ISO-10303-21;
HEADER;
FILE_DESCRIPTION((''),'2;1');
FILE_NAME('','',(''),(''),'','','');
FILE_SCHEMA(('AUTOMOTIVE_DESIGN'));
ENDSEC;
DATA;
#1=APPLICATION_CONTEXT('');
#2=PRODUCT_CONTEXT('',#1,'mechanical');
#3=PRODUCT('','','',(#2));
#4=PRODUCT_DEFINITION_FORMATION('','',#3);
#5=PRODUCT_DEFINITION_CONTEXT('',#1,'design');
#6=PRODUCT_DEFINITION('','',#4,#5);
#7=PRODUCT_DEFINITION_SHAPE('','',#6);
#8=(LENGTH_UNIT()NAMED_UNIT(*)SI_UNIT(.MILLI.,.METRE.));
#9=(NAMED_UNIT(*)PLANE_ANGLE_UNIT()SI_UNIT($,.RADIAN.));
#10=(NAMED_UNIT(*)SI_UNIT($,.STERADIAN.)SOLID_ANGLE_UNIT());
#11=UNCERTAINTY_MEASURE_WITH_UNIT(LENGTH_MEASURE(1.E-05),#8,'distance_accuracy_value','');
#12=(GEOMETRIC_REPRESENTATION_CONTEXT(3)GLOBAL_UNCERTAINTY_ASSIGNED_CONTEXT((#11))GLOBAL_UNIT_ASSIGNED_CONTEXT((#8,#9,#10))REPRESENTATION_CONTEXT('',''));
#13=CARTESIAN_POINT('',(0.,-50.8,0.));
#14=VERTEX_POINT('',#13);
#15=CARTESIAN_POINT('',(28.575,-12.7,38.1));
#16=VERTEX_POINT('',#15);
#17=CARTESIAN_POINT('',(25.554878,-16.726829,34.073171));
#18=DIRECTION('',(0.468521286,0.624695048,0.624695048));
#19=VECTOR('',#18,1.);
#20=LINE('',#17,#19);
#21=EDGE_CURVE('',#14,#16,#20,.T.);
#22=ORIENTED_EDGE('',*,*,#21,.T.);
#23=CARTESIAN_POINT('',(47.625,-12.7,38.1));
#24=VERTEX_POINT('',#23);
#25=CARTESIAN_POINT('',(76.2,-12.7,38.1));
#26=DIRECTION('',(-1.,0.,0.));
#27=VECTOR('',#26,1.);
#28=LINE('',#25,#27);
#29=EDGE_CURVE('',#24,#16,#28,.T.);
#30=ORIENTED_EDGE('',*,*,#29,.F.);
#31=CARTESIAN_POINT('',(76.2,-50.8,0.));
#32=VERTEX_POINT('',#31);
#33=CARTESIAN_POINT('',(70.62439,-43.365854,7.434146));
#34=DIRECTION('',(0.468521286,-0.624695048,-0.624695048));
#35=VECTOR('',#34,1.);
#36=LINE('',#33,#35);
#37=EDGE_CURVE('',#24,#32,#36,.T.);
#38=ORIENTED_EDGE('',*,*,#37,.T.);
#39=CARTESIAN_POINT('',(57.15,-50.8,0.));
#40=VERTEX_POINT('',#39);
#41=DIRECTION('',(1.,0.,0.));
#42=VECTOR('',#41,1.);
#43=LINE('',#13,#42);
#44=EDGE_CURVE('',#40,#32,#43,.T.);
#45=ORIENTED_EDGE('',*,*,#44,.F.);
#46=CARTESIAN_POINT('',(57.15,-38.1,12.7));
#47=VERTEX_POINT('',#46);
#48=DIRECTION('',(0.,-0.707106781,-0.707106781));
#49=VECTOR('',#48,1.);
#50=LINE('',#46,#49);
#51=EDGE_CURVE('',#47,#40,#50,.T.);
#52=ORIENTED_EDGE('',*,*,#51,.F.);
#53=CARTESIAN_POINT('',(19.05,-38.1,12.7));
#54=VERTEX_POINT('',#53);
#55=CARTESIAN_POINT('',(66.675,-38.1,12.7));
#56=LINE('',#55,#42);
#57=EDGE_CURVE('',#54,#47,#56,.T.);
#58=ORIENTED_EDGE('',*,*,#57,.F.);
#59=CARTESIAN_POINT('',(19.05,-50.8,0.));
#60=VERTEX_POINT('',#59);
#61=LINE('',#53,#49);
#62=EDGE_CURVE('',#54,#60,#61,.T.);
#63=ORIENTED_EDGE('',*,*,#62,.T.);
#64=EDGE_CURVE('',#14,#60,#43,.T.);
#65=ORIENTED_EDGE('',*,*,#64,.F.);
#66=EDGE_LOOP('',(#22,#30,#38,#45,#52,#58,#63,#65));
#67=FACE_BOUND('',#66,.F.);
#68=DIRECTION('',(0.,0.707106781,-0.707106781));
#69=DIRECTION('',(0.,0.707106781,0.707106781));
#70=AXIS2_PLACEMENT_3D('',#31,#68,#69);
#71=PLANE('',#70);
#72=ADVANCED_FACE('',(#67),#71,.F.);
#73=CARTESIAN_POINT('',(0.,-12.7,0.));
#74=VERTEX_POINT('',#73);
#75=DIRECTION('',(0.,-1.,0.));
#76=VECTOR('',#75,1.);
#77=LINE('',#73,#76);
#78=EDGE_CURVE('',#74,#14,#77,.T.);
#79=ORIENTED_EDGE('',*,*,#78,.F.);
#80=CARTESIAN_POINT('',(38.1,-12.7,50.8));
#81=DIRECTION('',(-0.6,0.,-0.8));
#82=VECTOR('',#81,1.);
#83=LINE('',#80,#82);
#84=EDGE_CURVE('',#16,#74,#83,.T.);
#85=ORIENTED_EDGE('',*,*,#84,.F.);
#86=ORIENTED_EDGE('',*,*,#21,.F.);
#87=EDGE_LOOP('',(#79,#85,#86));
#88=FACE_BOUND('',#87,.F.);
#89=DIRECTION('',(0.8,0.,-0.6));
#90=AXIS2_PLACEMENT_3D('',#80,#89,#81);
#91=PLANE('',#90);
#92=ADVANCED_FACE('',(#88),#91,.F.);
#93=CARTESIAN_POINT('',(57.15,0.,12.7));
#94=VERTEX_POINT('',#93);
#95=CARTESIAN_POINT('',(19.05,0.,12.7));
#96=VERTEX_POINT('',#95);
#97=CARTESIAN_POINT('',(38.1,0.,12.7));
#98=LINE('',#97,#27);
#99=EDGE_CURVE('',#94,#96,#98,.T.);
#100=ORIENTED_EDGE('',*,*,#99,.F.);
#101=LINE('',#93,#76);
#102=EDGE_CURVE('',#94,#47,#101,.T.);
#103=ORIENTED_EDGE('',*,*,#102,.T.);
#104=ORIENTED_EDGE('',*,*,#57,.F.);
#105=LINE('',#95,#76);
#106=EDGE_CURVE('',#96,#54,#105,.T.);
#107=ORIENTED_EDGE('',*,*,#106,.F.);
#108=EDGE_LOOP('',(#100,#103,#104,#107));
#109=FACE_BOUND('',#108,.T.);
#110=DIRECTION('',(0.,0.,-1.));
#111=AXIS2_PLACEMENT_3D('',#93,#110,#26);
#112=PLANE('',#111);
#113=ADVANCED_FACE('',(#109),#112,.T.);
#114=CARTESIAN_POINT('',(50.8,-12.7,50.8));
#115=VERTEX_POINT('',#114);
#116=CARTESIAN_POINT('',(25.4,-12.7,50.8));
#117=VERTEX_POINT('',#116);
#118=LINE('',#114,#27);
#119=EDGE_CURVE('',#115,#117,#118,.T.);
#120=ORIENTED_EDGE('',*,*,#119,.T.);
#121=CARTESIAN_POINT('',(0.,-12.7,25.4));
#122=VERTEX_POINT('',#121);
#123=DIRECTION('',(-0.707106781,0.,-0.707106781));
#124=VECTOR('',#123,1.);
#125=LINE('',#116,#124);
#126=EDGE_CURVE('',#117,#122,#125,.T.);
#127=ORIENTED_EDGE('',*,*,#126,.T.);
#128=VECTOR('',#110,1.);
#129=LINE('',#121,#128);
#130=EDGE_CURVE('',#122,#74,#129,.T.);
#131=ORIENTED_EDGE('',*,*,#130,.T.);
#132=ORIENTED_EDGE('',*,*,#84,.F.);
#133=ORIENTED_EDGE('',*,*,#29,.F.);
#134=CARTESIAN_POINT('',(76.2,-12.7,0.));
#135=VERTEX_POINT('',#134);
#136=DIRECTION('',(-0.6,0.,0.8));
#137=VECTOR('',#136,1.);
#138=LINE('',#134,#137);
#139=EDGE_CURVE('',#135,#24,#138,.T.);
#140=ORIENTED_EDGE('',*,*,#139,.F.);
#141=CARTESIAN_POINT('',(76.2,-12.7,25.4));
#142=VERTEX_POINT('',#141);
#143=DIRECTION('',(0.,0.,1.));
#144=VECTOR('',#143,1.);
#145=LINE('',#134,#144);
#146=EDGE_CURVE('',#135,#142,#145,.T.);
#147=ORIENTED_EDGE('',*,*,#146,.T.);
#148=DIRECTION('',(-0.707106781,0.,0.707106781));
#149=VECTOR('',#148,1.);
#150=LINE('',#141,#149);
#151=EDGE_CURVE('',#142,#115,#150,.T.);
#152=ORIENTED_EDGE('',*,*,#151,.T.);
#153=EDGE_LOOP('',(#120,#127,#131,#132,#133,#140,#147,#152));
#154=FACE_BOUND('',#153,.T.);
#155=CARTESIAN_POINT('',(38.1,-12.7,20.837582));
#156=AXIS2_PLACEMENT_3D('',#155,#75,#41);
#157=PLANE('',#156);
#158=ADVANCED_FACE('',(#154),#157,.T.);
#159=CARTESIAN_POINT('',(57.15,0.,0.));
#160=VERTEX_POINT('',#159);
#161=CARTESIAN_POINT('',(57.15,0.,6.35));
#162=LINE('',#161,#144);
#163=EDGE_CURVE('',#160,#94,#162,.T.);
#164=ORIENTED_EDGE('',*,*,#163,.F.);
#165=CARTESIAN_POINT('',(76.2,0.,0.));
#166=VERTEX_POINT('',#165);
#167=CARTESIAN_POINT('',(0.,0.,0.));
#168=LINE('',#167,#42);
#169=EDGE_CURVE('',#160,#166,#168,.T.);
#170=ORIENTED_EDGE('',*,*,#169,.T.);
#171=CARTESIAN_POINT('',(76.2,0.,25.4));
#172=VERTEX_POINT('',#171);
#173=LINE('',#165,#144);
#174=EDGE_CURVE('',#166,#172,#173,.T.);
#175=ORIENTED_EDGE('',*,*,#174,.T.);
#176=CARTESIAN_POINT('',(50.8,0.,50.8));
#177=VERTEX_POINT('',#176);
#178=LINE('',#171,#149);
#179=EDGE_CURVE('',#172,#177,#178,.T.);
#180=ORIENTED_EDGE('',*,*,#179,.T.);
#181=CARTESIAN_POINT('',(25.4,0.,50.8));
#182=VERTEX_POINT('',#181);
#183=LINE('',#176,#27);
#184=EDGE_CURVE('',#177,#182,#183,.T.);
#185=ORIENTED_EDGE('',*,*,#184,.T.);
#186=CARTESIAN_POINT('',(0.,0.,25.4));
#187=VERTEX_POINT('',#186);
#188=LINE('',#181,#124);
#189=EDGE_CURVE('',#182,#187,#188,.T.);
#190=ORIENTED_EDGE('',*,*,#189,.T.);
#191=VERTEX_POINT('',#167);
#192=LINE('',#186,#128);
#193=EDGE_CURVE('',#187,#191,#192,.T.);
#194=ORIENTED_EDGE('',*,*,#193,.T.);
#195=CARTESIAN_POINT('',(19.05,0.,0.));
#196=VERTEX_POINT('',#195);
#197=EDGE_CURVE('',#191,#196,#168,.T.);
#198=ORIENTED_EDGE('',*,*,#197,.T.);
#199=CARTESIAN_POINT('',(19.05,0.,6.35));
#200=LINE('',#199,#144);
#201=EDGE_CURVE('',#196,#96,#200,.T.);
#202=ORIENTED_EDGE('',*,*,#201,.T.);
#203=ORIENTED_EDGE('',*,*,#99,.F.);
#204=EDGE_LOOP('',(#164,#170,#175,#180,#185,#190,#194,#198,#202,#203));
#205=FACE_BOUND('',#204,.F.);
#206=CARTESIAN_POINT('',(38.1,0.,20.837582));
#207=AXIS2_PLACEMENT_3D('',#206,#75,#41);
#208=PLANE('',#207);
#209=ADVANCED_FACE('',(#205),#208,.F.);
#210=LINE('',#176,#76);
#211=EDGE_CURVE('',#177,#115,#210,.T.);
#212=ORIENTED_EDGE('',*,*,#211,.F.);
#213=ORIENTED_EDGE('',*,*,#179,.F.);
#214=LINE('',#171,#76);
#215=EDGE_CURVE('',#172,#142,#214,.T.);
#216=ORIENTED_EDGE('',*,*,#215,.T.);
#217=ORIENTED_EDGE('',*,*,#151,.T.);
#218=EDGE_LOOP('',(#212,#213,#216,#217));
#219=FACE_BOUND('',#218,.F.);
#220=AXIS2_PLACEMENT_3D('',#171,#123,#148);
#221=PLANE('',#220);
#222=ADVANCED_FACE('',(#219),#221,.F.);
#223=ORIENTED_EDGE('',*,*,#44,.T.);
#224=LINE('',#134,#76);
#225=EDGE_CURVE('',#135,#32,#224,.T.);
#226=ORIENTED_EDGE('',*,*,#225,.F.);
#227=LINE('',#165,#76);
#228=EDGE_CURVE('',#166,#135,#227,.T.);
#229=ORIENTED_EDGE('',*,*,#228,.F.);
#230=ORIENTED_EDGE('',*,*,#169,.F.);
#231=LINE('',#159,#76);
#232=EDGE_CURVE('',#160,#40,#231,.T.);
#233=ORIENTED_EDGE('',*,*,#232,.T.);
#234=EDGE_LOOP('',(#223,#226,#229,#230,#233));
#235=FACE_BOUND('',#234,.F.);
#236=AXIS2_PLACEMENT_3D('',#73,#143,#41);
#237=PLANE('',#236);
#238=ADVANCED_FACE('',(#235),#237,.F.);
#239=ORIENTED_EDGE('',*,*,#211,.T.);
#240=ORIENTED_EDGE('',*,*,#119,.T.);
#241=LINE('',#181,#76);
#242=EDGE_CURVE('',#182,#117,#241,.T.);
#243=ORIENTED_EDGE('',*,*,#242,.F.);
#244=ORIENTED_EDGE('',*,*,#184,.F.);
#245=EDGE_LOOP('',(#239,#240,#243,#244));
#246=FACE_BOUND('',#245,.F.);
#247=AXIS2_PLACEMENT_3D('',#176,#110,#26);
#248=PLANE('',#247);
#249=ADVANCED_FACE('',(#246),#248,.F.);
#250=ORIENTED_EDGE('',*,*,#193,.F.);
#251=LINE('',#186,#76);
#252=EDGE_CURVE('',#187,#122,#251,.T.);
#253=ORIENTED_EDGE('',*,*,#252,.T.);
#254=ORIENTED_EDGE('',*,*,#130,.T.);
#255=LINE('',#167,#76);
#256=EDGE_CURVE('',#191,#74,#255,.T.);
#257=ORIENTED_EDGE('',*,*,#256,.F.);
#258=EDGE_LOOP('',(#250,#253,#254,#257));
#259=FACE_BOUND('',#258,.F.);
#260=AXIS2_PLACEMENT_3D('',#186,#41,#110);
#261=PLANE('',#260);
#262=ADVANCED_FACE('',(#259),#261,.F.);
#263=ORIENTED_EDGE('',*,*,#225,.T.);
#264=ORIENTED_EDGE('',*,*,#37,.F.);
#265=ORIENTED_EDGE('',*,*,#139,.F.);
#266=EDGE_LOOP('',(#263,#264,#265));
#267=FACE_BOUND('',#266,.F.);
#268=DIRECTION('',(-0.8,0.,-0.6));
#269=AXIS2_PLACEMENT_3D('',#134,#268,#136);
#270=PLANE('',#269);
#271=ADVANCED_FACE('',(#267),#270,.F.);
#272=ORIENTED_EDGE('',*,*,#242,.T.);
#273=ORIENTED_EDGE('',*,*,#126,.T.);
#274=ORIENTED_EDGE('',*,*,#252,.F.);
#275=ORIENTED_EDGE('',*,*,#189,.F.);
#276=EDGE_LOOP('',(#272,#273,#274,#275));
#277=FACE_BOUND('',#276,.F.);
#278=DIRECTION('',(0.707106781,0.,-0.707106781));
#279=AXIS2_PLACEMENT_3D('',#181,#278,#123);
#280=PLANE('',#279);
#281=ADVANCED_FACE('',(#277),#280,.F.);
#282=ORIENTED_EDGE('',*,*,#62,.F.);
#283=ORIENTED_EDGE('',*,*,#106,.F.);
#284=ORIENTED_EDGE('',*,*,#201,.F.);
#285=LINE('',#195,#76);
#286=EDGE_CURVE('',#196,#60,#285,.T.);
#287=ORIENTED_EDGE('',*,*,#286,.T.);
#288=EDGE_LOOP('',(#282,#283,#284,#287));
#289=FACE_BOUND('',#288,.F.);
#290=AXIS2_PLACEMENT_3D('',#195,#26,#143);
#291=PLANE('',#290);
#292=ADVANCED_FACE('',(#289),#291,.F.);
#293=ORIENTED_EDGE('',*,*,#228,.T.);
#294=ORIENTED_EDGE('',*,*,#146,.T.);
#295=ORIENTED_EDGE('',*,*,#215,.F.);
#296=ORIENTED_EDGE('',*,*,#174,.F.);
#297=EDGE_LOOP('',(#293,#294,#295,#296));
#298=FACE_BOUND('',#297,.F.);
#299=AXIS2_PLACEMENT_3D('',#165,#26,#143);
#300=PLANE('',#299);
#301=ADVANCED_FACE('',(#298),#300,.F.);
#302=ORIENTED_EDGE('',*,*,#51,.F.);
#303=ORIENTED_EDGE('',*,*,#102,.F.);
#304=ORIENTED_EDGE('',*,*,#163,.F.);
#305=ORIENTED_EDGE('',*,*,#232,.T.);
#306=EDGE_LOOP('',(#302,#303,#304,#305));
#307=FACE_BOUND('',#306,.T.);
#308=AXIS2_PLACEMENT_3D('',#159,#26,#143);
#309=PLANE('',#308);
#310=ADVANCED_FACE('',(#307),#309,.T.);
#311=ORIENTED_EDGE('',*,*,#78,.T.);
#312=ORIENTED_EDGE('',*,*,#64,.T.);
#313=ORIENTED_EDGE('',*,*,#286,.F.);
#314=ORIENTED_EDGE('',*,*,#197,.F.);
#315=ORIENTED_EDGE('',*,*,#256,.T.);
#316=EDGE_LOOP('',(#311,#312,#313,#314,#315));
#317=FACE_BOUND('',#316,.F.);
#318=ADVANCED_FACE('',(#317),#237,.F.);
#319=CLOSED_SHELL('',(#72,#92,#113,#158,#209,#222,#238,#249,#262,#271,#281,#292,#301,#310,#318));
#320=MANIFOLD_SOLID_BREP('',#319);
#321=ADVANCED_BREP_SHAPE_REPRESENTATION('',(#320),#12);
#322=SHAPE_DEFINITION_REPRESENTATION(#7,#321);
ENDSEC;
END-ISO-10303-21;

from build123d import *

# Parameters (mm, degrees)
F1_DEPTH = 12.7
F3_DEPTH = 38.1
F4_W     = 38.1
F4_H     = 12.7
F5_DEPTH = 50.801
F7_DEPTH = 76.201


with BuildPart() as f1:
    # F0 (on Front) → F1 (new body)
    with BuildSketch(Plane.XZ):
        Polygon((0, 25.4), (0, 0), (76.2, 0), (76.2, 25.4), (50.8, 50.8), (25.4, 50.8), align=None)
    extrude(amount=F1_DEPTH)

    # F2 (on face) → F3 (join)
    with BuildSketch(Plane.XZ.offset(12.7)):
        Polygon((38.1, 50.8), (0, 0), (76.2, 0), align=None)
    extrude(amount=F3_DEPTH)

    # F4 (on face) → F5 (cut, through all)
    with BuildSketch(Plane(origin=(0, 0, 0), x_dir=(-1, 0, 0), z_dir=(0, 1, 0))):
        with Locations((-38.1, 6.35)):
            Rectangle(F4_W, F4_H)
    extrude(amount=-F5_DEPTH, mode=Mode.SUBTRACT)

    # F6 (on face) → F7 (cut, through all)
    with BuildSketch(Plane.YZ.offset(76.2)):
        Polygon((-12.7, 38.1), (-12.7, 50.8), (-50.8, 50.8), (-50.8, 0), align=None)
    extrude(amount=-F7_DEPTH, mode=Mode.SUBTRACT)


solid = f1.part
